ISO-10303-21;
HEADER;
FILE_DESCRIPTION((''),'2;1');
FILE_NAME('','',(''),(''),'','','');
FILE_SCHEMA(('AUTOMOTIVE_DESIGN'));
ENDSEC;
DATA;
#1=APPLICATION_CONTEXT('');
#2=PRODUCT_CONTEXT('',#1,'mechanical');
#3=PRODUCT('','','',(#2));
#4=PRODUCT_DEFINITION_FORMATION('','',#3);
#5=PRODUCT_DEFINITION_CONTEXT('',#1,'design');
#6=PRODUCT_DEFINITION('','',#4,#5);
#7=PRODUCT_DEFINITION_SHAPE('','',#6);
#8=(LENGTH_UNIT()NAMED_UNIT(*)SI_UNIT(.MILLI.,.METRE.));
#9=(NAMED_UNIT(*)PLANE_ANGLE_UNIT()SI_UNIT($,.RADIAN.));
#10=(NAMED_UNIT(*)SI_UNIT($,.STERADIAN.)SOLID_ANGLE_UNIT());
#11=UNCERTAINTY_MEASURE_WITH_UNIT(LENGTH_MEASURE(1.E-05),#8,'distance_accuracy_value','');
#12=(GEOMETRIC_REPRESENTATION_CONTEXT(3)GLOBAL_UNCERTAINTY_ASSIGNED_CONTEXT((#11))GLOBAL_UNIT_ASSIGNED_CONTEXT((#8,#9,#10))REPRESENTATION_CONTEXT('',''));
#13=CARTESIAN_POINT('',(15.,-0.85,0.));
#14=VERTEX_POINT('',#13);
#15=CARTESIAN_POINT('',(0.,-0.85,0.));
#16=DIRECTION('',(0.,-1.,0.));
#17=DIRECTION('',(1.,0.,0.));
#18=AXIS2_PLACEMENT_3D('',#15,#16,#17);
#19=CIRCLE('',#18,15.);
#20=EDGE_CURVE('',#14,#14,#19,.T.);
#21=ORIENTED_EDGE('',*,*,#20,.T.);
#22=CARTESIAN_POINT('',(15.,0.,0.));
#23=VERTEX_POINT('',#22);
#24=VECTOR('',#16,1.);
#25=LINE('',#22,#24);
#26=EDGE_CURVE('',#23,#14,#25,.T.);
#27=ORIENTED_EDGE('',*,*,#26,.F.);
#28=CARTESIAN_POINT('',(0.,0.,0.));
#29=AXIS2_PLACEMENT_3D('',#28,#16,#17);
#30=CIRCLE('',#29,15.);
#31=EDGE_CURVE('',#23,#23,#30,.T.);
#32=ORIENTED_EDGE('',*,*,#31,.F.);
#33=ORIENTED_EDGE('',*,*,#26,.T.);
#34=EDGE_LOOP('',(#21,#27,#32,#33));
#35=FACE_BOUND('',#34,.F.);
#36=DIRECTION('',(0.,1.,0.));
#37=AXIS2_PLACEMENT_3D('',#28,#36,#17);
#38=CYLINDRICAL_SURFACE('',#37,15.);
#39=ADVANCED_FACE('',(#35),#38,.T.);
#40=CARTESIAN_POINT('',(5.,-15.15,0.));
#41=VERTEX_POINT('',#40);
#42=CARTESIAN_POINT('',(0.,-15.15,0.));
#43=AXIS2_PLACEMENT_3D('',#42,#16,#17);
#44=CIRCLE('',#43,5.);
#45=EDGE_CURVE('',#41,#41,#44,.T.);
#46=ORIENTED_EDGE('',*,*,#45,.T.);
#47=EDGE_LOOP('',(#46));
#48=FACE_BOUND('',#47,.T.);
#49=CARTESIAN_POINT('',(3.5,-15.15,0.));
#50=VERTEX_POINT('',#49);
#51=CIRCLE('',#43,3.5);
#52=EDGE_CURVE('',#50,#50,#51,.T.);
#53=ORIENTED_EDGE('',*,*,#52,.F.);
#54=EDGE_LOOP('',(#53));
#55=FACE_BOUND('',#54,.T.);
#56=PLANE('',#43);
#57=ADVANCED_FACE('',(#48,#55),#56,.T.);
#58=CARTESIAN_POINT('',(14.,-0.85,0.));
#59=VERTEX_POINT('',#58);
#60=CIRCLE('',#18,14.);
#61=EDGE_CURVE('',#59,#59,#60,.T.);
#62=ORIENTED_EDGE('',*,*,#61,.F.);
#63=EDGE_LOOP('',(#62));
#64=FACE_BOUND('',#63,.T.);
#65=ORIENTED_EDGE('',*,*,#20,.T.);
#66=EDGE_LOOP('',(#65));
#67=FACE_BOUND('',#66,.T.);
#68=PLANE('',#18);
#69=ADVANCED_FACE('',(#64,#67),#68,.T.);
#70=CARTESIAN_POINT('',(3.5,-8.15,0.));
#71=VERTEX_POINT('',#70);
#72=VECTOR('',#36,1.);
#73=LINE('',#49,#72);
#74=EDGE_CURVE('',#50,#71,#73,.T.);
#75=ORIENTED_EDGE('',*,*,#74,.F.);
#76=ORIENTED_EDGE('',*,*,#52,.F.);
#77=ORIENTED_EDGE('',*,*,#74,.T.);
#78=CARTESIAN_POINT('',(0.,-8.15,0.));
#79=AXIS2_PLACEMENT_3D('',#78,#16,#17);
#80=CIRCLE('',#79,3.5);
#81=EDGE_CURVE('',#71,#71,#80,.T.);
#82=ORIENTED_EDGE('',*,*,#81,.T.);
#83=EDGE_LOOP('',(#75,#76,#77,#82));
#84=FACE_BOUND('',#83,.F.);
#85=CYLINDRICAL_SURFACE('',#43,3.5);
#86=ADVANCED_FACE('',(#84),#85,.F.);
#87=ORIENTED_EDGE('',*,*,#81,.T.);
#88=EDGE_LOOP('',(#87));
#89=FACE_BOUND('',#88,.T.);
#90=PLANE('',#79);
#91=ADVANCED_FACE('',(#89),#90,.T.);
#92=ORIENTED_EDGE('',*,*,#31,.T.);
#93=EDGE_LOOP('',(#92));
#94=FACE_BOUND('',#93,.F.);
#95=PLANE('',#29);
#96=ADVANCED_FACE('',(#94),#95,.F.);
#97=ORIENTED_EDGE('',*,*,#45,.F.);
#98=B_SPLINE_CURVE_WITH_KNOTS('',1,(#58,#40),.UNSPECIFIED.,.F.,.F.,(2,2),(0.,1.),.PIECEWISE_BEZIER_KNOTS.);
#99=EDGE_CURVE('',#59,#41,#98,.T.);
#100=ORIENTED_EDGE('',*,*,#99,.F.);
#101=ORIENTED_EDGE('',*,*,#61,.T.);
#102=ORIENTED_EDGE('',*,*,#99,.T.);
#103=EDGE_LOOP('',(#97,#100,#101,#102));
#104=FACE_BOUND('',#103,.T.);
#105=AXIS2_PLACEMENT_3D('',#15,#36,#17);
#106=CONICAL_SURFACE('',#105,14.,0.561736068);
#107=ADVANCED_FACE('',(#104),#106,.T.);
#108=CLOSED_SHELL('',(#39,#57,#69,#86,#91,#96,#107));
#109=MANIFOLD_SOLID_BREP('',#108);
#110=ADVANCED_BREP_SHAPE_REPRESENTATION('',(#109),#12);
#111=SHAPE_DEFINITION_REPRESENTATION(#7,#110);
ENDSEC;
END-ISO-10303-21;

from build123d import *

# Parameters (mm, degrees)
F0_R     = 15
F0_R_2   = 14
F1_DEPTH = 0.85
F4_R     = 14
F3_R     = 5
F6_R     = 3.5
F7_DEPTH = 7


with BuildPart() as f1:
    # F0 (on Front) → F1 (new body)
    with BuildSketch(Plane.XZ):
        Circle(F0_R)
        Circle(F0_R_2, mode=Mode.SUBTRACT)
        Circle(F0_R_2)
    extrude(amount=F1_DEPTH)

    # F4 (on face) → F5 section 0
    with BuildSketch(Plane.XZ.offset(0.85)):
        Circle(F4_R)
    # F3 (on offset) → F5 section 1
    with BuildSketch(Plane.XZ.offset(15.15)):
        Circle(F3_R)
    loft()

    # F6 (on face) → F7 (cut)
    with BuildSketch(Plane.XZ.offset(15.15)):
        Circle(F6_R)
    extrude(amount=-F7_DEPTH, mode=Mode.SUBTRACT)


solid = f1.part
